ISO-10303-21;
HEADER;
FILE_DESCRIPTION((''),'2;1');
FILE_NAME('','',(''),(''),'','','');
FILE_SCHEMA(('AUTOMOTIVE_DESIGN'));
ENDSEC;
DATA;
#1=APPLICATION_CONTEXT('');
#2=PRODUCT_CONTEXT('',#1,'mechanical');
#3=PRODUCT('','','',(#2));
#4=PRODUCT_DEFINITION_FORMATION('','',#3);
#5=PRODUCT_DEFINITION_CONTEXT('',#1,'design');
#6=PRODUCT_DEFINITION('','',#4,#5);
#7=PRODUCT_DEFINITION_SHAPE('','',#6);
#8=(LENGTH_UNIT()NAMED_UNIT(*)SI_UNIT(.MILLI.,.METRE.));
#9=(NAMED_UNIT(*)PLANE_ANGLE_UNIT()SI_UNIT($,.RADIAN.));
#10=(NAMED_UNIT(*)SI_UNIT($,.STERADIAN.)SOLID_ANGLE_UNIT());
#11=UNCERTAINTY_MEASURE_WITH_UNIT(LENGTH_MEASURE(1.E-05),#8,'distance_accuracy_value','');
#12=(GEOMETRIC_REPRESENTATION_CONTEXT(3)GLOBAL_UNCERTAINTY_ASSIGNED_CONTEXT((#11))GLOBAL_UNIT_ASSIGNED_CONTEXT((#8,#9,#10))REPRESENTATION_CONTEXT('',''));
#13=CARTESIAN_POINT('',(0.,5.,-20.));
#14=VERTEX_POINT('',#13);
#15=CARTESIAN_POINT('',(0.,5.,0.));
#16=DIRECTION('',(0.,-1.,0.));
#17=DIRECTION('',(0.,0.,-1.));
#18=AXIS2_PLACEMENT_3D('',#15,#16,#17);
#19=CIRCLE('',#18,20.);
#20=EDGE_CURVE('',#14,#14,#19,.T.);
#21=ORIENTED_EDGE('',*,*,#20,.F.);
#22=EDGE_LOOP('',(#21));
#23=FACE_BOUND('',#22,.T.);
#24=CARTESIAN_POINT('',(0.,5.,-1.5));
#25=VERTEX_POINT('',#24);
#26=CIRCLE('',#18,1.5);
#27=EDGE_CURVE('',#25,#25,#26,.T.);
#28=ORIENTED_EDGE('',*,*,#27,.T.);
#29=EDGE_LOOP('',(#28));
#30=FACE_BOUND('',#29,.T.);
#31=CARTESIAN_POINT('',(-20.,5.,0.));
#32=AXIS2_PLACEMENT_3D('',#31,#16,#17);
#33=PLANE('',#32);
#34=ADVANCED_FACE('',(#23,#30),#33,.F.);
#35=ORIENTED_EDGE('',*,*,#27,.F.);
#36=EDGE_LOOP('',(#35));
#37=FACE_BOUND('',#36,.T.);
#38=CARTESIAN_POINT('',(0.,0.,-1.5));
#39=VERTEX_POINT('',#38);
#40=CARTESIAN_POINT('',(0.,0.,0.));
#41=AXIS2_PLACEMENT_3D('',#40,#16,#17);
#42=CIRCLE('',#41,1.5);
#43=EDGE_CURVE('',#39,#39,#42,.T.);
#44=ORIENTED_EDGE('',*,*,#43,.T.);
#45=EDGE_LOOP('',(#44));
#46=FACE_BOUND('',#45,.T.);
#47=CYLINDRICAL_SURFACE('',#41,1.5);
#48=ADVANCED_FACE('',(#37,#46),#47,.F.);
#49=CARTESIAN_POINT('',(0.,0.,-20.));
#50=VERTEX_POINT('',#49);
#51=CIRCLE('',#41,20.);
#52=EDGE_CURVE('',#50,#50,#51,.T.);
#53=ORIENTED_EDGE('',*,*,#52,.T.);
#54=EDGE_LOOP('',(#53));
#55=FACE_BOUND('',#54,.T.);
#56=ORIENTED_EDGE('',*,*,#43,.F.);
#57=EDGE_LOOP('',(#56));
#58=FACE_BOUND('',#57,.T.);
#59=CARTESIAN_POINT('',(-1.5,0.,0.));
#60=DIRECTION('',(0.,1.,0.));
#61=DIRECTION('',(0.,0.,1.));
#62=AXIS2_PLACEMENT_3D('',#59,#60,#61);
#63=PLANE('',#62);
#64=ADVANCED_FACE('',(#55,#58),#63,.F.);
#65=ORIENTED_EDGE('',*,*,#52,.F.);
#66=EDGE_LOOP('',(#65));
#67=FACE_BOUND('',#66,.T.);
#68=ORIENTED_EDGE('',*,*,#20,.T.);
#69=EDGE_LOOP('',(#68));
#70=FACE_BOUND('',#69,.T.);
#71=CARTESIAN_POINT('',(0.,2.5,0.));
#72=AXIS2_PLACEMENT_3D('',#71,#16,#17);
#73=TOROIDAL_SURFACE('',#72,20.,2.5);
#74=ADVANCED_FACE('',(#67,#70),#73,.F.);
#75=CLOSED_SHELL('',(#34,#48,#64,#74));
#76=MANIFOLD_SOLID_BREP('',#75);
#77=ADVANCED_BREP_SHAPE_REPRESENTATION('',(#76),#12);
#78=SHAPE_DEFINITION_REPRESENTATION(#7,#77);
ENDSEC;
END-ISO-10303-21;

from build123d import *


with BuildPart() as part:
    # Sketch1 → Revolve1 (revolve)
    with BuildSketch(Plane.XY, mode=Mode.PRIVATE) as revolve1_sk:
        with BuildLine():
            Line((-1.5, 0), (-20, 0))
            ThreePointArc((-20, 0), (-17.5, 2.5), (-20, 5))
            Line((-20, 5), (-1.5, 5))
            Line((-1.5, 5), (-1.5, 0))
        make_face()
    revolve(revolve1_sk.sketch.rotate(Axis((0, 0, 0), (0, 1, 0)), 270), axis=Axis((0, 0, 0), (0, 1, 0)))


solid = part.part
